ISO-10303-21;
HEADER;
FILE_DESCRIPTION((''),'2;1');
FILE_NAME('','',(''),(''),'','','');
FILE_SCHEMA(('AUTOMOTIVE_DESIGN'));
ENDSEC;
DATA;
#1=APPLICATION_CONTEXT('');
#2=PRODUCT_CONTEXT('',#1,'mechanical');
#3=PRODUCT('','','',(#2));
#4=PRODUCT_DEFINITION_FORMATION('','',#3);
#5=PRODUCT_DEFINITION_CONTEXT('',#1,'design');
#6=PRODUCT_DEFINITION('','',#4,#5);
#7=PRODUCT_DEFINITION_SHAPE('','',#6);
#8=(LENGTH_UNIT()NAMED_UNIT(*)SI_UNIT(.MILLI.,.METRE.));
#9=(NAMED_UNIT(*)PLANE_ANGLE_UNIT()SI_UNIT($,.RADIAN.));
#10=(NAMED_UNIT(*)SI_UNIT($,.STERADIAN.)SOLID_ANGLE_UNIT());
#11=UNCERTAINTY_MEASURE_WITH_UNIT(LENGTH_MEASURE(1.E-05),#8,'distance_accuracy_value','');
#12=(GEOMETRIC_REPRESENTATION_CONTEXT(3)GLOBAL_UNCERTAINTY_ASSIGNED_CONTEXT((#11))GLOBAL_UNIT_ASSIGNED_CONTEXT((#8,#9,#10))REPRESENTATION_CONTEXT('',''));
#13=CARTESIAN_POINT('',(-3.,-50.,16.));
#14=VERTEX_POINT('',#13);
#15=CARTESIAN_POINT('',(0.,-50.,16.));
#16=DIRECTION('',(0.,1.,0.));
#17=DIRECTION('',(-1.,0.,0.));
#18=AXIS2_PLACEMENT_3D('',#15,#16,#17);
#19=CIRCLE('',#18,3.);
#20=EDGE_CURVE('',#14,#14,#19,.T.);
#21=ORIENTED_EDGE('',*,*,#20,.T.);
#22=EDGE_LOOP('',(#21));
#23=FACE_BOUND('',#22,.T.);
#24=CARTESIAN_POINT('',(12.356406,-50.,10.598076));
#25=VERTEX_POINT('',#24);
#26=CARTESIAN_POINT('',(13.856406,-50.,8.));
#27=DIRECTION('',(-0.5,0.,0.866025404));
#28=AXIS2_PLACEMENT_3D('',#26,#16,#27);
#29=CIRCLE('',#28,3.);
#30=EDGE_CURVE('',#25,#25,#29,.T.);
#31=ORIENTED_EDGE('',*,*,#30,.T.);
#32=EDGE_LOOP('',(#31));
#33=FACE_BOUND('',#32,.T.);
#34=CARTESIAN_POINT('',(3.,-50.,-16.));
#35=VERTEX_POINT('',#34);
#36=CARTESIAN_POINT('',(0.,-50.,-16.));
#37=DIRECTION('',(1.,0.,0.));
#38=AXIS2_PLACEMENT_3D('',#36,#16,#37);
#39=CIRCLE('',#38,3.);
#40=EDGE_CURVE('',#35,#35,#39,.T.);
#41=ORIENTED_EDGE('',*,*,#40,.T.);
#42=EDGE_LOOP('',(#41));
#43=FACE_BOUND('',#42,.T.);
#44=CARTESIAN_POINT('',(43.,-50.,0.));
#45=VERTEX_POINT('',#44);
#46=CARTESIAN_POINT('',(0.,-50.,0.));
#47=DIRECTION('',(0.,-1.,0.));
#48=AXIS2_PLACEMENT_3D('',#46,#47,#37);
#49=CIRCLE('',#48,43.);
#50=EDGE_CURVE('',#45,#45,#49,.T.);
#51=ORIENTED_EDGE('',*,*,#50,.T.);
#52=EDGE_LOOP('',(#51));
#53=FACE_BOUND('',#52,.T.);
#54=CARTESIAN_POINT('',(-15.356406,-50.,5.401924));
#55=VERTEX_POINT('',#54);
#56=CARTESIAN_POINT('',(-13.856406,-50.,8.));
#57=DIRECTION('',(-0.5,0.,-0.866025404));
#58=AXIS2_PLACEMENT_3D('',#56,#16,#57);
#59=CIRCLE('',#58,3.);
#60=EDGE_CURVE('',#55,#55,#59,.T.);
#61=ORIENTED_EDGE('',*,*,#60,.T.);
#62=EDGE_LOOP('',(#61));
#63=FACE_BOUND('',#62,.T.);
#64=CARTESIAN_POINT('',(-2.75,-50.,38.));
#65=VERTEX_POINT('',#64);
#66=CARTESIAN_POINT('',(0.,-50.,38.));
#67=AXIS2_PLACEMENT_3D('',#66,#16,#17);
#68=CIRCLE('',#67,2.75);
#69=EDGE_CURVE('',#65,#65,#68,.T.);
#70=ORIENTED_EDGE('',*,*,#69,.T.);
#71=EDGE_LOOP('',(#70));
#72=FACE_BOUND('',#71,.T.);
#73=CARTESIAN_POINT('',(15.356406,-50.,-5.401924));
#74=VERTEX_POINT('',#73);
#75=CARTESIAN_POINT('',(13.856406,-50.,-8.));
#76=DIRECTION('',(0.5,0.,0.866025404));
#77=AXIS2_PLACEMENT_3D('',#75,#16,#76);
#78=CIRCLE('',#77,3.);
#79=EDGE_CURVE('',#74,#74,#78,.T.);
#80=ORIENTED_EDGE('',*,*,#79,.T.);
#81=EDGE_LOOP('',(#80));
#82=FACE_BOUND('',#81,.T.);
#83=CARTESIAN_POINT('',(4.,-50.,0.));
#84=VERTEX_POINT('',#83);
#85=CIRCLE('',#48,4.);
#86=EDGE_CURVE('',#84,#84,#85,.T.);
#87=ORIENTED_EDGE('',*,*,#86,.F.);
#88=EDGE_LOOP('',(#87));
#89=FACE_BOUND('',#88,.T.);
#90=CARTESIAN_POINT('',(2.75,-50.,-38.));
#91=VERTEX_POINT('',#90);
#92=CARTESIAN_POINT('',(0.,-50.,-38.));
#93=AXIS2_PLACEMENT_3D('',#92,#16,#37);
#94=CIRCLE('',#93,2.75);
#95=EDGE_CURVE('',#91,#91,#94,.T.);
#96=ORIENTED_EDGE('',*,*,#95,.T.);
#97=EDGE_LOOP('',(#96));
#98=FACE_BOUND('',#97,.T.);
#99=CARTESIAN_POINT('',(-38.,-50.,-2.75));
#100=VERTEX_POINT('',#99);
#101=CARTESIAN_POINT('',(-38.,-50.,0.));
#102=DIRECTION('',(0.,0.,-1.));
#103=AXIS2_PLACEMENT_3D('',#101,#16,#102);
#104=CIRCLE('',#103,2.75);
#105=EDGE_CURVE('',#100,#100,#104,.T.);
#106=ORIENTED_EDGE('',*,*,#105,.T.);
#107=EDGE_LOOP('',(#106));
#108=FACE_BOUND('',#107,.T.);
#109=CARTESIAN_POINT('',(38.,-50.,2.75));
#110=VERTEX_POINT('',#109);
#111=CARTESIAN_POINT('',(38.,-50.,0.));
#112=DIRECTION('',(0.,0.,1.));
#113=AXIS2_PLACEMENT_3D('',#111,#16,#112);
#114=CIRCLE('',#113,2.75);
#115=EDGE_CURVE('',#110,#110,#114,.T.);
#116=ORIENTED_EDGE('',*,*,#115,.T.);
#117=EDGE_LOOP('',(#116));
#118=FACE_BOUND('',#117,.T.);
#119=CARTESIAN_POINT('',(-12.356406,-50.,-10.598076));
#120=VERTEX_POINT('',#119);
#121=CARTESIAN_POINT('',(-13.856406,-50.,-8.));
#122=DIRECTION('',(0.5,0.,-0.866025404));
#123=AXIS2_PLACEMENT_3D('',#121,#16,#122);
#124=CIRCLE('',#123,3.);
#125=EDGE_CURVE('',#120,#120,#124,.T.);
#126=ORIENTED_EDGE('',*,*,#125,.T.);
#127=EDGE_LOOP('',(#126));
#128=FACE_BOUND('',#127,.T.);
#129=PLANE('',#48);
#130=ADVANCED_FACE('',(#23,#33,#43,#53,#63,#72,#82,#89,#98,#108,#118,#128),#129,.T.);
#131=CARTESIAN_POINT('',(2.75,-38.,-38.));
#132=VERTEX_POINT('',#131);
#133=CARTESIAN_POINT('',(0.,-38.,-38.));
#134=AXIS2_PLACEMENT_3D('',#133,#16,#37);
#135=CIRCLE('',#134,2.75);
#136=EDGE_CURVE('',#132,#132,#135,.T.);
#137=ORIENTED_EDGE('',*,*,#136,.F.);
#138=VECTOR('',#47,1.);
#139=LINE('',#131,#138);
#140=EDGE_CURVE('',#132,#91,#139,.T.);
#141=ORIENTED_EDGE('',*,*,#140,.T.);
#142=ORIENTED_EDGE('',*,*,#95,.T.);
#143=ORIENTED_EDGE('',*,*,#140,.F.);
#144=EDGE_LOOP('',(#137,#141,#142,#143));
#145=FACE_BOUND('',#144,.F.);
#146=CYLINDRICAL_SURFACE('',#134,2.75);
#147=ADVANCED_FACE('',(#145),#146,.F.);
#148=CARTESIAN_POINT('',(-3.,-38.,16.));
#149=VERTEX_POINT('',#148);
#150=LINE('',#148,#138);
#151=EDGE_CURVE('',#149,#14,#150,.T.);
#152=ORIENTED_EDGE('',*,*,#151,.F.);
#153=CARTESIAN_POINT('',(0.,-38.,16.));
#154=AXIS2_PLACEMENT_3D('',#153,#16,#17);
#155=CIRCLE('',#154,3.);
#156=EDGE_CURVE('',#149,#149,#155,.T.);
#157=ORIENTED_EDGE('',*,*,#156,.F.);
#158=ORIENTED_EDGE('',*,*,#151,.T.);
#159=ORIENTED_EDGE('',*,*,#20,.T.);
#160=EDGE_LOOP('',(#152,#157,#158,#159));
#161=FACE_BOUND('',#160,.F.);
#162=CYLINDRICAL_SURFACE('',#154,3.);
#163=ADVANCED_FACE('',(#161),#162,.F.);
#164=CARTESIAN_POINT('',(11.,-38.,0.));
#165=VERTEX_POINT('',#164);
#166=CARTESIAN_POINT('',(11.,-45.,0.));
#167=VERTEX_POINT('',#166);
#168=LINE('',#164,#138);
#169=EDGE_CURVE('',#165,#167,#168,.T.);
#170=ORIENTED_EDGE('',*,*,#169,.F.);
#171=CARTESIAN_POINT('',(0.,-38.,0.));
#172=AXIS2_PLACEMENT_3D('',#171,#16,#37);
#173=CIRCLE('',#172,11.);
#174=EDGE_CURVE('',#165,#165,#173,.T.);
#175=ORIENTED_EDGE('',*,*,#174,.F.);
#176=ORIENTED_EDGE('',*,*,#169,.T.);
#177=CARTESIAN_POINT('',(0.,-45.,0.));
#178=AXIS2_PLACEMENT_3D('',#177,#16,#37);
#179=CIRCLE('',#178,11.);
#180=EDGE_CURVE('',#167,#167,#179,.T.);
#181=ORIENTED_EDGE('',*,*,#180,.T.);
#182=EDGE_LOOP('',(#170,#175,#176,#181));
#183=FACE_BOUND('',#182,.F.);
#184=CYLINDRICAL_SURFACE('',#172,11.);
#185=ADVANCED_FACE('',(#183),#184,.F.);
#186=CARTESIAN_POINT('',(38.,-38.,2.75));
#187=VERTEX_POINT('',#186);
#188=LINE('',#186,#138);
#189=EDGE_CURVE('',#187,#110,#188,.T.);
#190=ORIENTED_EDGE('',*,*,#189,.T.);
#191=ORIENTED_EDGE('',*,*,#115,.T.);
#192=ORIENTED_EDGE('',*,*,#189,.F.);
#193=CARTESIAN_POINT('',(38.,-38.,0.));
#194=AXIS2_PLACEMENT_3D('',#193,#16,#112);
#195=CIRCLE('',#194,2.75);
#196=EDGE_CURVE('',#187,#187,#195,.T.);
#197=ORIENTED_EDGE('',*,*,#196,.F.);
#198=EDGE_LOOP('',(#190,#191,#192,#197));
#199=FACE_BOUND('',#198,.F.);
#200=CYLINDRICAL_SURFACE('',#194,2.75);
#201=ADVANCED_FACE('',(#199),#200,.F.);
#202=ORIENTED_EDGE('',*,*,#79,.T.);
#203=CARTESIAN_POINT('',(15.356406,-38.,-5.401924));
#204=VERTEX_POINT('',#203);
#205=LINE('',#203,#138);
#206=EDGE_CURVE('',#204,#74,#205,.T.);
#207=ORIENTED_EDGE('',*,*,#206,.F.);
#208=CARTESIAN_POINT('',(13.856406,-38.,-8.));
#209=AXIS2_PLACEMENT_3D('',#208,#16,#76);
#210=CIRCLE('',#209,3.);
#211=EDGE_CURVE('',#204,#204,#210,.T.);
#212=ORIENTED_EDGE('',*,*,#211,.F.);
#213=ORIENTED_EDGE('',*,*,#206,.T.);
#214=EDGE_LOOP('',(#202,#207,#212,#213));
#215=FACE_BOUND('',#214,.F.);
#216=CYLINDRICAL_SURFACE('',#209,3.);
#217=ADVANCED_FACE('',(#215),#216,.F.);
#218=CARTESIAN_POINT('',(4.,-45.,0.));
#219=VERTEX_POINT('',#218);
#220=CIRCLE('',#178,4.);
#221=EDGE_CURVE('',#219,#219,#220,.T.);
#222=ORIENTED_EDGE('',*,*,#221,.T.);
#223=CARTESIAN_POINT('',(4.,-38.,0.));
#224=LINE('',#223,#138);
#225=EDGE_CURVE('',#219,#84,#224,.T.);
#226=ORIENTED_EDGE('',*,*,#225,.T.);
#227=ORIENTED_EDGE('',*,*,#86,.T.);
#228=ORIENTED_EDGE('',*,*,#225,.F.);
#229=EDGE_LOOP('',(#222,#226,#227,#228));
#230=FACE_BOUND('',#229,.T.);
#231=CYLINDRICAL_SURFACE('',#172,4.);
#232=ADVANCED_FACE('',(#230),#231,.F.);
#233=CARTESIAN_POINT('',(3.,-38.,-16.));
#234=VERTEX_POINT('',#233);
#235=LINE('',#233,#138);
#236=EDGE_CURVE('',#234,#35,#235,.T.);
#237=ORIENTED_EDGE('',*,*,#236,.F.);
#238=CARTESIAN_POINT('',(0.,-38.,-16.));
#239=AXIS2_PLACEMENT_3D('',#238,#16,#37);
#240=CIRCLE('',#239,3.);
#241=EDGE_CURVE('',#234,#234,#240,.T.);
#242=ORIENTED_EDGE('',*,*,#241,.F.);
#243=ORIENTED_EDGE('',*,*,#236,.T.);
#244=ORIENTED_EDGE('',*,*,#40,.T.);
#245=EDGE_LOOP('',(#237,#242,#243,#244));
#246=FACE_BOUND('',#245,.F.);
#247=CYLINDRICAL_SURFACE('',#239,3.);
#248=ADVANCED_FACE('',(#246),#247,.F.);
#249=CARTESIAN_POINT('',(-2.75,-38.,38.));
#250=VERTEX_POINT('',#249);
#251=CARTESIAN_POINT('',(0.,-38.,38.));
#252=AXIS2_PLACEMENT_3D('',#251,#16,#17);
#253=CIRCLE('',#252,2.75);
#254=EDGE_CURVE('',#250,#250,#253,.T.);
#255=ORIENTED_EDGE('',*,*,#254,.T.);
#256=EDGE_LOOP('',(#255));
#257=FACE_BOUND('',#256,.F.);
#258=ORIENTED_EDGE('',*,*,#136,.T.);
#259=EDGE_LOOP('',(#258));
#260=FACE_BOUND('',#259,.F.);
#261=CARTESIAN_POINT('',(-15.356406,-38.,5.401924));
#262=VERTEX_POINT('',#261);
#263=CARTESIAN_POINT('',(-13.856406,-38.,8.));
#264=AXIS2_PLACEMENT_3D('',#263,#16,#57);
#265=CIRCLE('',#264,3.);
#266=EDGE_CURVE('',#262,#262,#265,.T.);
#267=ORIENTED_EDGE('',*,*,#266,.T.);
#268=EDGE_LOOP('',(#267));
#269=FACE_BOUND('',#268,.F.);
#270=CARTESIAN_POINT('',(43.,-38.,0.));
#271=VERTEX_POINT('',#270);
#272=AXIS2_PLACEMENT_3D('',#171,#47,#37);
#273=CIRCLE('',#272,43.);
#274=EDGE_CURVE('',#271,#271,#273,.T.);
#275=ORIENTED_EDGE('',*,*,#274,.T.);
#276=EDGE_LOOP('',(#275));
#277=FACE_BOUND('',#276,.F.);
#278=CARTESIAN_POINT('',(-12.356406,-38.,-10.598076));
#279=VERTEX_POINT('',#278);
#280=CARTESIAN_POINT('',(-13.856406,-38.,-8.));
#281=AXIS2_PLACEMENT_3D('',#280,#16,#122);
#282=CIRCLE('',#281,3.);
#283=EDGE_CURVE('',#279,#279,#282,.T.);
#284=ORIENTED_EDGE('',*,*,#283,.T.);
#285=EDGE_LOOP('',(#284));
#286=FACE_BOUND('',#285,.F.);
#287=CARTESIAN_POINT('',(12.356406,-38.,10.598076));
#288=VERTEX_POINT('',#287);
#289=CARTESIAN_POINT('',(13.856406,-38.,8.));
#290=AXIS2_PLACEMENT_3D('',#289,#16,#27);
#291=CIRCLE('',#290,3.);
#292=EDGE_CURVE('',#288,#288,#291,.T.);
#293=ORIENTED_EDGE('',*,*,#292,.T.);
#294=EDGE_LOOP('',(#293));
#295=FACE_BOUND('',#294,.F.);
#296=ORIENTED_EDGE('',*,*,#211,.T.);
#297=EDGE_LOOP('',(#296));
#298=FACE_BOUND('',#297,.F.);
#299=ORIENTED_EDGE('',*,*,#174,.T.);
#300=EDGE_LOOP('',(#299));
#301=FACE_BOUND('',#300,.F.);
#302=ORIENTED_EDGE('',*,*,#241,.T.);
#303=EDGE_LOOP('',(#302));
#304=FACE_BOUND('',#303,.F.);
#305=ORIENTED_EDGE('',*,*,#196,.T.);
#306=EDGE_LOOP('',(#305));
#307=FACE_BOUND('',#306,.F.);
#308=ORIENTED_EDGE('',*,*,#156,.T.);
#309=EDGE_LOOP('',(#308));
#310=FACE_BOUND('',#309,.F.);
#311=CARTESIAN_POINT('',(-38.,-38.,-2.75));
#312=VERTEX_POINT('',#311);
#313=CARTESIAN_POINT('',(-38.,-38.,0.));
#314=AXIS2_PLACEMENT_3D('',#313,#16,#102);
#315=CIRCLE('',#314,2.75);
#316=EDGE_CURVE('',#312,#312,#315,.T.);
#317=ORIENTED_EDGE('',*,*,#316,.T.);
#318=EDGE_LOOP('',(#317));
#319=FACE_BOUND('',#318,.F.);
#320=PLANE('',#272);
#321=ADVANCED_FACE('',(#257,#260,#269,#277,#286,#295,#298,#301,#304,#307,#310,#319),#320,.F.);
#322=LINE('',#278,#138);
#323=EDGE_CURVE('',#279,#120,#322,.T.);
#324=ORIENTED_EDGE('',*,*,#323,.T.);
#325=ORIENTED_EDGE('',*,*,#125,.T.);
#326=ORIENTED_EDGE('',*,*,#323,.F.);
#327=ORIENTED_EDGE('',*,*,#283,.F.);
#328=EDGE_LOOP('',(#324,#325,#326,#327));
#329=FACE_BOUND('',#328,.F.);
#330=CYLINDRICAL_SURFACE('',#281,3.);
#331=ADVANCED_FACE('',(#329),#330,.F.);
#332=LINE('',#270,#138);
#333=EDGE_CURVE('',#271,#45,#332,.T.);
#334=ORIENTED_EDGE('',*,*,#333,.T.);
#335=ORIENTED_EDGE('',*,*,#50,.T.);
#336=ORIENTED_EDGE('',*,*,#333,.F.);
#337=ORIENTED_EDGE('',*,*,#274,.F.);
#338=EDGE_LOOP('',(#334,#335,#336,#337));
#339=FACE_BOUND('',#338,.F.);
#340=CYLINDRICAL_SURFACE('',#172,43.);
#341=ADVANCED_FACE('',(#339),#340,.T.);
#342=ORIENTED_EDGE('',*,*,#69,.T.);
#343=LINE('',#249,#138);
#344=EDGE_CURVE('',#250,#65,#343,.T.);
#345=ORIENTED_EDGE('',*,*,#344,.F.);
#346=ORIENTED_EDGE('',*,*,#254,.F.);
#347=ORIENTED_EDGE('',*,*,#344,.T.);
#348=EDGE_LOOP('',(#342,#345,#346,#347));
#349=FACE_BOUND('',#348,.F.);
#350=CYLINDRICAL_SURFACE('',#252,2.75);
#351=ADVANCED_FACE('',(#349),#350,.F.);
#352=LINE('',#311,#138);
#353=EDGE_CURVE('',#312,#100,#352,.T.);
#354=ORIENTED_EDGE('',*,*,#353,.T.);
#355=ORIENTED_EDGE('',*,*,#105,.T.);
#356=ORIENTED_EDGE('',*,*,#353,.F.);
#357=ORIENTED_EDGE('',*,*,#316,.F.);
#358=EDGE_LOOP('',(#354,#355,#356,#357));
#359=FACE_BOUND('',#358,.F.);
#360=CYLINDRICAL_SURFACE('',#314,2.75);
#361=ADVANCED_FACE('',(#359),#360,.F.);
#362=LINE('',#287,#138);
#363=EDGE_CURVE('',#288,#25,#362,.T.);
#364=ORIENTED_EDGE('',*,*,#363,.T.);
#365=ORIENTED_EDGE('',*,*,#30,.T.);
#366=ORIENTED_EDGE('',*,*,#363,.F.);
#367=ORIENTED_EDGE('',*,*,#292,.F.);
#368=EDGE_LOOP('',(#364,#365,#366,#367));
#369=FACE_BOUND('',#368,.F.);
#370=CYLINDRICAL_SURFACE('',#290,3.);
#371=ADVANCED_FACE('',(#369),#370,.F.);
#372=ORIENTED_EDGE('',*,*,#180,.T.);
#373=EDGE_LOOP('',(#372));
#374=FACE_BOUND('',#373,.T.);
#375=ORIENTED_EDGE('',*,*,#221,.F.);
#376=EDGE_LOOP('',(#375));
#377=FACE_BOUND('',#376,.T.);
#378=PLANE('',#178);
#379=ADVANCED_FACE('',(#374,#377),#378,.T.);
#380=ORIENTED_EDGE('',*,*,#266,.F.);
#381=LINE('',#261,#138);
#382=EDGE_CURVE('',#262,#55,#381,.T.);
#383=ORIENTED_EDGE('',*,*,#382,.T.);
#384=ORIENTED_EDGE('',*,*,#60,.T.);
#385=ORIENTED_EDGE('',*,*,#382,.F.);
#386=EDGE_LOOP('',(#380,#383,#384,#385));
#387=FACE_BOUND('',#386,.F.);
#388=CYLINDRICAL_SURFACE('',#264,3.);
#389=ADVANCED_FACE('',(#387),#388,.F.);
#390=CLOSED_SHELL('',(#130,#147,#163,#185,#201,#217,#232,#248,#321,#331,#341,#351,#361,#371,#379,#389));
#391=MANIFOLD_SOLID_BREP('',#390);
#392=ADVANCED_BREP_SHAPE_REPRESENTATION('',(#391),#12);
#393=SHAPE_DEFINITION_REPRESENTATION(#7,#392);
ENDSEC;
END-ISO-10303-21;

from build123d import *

# Parameters (mm, degrees)
SKETCH008_R           = 43
SKETCH008_R_2         = 4
PAD002_DEPTH          = 12
SKETCH009_R           = 11
POCKET002_DEPTH       = 7
SKETCH010_R           = 3
POCKET003_DEPTH       = 256.426858
POLARPATTERN001_COUNT = 6
SKETCH011_R           = 2.75
POCKET004_DEPTH       = 256.426858
POLARPATTERN002_COUNT = 4


with BuildPart() as part:
    # Sketch008 (on Face1 of ShapeBinder003) → Pad002 (new body)
    with BuildSketch(Plane.XZ.offset(8)):
        Circle(SKETCH008_R)
        Circle(SKETCH008_R_2, mode=Mode.SUBTRACT)
    extrude(amount=PAD002_DEPTH)

    # Sketch009 (on Face3 of Pad002) → Pocket002 (cut)
    with BuildSketch(Plane(origin=(0, -8, 0), x_dir=(1, 0, 0), z_dir=(0, 1, 0))):
        Circle(SKETCH009_R)
    extrude(amount=-POCKET002_DEPTH, mode=Mode.SUBTRACT)

    # Sketch010 (on Face2 of Pocket002) → Pocket003 (cut, through all)
    with BuildSketch(Plane(origin=(0, -8, 0), x_dir=(1, 0, 0), z_dir=(0, 1, 0))):
        with Locations((0, 16)):
            Circle(SKETCH010_R)
    pocket003 = extrude(amount=-POCKET003_DEPTH, mode=Mode.SUBTRACT)

    # PolarPattern001: Pocket003 ×6 about axis
    polarpattern001_axis = Axis((0, -8, 0), (0, 1, 0))
    for i in range(1, POLARPATTERN001_COUNT):
        add(pocket003.rotate(polarpattern001_axis, i * 360 / POLARPATTERN001_COUNT), mode=Mode.SUBTRACT)

    # Sketch011 (on Face2 of PolarPattern001) → Pocket004 (cut, through all)
    with BuildSketch(Plane(origin=(0, -8, 0), x_dir=(1, 0, 0), z_dir=(0, 1, 0))):
        with Locations((0, 38)):
            Circle(SKETCH011_R)
    pocket004 = extrude(amount=-POCKET004_DEPTH, mode=Mode.SUBTRACT)

    # PolarPattern002: Pocket004 ×4 about axis
    polarpattern002_axis = Axis((0, -8, 0), (0, 1, 0))
    for i in range(1, POLARPATTERN002_COUNT):
        add(pocket004.rotate(polarpattern002_axis, i * 360 / POLARPATTERN002_COUNT), mode=Mode.SUBTRACT)


with BuildPart() as part_1:
    # Body003 placement: moved
    add(part.part.moved(Location((0, -30, 0))))


solid = part_1.part
